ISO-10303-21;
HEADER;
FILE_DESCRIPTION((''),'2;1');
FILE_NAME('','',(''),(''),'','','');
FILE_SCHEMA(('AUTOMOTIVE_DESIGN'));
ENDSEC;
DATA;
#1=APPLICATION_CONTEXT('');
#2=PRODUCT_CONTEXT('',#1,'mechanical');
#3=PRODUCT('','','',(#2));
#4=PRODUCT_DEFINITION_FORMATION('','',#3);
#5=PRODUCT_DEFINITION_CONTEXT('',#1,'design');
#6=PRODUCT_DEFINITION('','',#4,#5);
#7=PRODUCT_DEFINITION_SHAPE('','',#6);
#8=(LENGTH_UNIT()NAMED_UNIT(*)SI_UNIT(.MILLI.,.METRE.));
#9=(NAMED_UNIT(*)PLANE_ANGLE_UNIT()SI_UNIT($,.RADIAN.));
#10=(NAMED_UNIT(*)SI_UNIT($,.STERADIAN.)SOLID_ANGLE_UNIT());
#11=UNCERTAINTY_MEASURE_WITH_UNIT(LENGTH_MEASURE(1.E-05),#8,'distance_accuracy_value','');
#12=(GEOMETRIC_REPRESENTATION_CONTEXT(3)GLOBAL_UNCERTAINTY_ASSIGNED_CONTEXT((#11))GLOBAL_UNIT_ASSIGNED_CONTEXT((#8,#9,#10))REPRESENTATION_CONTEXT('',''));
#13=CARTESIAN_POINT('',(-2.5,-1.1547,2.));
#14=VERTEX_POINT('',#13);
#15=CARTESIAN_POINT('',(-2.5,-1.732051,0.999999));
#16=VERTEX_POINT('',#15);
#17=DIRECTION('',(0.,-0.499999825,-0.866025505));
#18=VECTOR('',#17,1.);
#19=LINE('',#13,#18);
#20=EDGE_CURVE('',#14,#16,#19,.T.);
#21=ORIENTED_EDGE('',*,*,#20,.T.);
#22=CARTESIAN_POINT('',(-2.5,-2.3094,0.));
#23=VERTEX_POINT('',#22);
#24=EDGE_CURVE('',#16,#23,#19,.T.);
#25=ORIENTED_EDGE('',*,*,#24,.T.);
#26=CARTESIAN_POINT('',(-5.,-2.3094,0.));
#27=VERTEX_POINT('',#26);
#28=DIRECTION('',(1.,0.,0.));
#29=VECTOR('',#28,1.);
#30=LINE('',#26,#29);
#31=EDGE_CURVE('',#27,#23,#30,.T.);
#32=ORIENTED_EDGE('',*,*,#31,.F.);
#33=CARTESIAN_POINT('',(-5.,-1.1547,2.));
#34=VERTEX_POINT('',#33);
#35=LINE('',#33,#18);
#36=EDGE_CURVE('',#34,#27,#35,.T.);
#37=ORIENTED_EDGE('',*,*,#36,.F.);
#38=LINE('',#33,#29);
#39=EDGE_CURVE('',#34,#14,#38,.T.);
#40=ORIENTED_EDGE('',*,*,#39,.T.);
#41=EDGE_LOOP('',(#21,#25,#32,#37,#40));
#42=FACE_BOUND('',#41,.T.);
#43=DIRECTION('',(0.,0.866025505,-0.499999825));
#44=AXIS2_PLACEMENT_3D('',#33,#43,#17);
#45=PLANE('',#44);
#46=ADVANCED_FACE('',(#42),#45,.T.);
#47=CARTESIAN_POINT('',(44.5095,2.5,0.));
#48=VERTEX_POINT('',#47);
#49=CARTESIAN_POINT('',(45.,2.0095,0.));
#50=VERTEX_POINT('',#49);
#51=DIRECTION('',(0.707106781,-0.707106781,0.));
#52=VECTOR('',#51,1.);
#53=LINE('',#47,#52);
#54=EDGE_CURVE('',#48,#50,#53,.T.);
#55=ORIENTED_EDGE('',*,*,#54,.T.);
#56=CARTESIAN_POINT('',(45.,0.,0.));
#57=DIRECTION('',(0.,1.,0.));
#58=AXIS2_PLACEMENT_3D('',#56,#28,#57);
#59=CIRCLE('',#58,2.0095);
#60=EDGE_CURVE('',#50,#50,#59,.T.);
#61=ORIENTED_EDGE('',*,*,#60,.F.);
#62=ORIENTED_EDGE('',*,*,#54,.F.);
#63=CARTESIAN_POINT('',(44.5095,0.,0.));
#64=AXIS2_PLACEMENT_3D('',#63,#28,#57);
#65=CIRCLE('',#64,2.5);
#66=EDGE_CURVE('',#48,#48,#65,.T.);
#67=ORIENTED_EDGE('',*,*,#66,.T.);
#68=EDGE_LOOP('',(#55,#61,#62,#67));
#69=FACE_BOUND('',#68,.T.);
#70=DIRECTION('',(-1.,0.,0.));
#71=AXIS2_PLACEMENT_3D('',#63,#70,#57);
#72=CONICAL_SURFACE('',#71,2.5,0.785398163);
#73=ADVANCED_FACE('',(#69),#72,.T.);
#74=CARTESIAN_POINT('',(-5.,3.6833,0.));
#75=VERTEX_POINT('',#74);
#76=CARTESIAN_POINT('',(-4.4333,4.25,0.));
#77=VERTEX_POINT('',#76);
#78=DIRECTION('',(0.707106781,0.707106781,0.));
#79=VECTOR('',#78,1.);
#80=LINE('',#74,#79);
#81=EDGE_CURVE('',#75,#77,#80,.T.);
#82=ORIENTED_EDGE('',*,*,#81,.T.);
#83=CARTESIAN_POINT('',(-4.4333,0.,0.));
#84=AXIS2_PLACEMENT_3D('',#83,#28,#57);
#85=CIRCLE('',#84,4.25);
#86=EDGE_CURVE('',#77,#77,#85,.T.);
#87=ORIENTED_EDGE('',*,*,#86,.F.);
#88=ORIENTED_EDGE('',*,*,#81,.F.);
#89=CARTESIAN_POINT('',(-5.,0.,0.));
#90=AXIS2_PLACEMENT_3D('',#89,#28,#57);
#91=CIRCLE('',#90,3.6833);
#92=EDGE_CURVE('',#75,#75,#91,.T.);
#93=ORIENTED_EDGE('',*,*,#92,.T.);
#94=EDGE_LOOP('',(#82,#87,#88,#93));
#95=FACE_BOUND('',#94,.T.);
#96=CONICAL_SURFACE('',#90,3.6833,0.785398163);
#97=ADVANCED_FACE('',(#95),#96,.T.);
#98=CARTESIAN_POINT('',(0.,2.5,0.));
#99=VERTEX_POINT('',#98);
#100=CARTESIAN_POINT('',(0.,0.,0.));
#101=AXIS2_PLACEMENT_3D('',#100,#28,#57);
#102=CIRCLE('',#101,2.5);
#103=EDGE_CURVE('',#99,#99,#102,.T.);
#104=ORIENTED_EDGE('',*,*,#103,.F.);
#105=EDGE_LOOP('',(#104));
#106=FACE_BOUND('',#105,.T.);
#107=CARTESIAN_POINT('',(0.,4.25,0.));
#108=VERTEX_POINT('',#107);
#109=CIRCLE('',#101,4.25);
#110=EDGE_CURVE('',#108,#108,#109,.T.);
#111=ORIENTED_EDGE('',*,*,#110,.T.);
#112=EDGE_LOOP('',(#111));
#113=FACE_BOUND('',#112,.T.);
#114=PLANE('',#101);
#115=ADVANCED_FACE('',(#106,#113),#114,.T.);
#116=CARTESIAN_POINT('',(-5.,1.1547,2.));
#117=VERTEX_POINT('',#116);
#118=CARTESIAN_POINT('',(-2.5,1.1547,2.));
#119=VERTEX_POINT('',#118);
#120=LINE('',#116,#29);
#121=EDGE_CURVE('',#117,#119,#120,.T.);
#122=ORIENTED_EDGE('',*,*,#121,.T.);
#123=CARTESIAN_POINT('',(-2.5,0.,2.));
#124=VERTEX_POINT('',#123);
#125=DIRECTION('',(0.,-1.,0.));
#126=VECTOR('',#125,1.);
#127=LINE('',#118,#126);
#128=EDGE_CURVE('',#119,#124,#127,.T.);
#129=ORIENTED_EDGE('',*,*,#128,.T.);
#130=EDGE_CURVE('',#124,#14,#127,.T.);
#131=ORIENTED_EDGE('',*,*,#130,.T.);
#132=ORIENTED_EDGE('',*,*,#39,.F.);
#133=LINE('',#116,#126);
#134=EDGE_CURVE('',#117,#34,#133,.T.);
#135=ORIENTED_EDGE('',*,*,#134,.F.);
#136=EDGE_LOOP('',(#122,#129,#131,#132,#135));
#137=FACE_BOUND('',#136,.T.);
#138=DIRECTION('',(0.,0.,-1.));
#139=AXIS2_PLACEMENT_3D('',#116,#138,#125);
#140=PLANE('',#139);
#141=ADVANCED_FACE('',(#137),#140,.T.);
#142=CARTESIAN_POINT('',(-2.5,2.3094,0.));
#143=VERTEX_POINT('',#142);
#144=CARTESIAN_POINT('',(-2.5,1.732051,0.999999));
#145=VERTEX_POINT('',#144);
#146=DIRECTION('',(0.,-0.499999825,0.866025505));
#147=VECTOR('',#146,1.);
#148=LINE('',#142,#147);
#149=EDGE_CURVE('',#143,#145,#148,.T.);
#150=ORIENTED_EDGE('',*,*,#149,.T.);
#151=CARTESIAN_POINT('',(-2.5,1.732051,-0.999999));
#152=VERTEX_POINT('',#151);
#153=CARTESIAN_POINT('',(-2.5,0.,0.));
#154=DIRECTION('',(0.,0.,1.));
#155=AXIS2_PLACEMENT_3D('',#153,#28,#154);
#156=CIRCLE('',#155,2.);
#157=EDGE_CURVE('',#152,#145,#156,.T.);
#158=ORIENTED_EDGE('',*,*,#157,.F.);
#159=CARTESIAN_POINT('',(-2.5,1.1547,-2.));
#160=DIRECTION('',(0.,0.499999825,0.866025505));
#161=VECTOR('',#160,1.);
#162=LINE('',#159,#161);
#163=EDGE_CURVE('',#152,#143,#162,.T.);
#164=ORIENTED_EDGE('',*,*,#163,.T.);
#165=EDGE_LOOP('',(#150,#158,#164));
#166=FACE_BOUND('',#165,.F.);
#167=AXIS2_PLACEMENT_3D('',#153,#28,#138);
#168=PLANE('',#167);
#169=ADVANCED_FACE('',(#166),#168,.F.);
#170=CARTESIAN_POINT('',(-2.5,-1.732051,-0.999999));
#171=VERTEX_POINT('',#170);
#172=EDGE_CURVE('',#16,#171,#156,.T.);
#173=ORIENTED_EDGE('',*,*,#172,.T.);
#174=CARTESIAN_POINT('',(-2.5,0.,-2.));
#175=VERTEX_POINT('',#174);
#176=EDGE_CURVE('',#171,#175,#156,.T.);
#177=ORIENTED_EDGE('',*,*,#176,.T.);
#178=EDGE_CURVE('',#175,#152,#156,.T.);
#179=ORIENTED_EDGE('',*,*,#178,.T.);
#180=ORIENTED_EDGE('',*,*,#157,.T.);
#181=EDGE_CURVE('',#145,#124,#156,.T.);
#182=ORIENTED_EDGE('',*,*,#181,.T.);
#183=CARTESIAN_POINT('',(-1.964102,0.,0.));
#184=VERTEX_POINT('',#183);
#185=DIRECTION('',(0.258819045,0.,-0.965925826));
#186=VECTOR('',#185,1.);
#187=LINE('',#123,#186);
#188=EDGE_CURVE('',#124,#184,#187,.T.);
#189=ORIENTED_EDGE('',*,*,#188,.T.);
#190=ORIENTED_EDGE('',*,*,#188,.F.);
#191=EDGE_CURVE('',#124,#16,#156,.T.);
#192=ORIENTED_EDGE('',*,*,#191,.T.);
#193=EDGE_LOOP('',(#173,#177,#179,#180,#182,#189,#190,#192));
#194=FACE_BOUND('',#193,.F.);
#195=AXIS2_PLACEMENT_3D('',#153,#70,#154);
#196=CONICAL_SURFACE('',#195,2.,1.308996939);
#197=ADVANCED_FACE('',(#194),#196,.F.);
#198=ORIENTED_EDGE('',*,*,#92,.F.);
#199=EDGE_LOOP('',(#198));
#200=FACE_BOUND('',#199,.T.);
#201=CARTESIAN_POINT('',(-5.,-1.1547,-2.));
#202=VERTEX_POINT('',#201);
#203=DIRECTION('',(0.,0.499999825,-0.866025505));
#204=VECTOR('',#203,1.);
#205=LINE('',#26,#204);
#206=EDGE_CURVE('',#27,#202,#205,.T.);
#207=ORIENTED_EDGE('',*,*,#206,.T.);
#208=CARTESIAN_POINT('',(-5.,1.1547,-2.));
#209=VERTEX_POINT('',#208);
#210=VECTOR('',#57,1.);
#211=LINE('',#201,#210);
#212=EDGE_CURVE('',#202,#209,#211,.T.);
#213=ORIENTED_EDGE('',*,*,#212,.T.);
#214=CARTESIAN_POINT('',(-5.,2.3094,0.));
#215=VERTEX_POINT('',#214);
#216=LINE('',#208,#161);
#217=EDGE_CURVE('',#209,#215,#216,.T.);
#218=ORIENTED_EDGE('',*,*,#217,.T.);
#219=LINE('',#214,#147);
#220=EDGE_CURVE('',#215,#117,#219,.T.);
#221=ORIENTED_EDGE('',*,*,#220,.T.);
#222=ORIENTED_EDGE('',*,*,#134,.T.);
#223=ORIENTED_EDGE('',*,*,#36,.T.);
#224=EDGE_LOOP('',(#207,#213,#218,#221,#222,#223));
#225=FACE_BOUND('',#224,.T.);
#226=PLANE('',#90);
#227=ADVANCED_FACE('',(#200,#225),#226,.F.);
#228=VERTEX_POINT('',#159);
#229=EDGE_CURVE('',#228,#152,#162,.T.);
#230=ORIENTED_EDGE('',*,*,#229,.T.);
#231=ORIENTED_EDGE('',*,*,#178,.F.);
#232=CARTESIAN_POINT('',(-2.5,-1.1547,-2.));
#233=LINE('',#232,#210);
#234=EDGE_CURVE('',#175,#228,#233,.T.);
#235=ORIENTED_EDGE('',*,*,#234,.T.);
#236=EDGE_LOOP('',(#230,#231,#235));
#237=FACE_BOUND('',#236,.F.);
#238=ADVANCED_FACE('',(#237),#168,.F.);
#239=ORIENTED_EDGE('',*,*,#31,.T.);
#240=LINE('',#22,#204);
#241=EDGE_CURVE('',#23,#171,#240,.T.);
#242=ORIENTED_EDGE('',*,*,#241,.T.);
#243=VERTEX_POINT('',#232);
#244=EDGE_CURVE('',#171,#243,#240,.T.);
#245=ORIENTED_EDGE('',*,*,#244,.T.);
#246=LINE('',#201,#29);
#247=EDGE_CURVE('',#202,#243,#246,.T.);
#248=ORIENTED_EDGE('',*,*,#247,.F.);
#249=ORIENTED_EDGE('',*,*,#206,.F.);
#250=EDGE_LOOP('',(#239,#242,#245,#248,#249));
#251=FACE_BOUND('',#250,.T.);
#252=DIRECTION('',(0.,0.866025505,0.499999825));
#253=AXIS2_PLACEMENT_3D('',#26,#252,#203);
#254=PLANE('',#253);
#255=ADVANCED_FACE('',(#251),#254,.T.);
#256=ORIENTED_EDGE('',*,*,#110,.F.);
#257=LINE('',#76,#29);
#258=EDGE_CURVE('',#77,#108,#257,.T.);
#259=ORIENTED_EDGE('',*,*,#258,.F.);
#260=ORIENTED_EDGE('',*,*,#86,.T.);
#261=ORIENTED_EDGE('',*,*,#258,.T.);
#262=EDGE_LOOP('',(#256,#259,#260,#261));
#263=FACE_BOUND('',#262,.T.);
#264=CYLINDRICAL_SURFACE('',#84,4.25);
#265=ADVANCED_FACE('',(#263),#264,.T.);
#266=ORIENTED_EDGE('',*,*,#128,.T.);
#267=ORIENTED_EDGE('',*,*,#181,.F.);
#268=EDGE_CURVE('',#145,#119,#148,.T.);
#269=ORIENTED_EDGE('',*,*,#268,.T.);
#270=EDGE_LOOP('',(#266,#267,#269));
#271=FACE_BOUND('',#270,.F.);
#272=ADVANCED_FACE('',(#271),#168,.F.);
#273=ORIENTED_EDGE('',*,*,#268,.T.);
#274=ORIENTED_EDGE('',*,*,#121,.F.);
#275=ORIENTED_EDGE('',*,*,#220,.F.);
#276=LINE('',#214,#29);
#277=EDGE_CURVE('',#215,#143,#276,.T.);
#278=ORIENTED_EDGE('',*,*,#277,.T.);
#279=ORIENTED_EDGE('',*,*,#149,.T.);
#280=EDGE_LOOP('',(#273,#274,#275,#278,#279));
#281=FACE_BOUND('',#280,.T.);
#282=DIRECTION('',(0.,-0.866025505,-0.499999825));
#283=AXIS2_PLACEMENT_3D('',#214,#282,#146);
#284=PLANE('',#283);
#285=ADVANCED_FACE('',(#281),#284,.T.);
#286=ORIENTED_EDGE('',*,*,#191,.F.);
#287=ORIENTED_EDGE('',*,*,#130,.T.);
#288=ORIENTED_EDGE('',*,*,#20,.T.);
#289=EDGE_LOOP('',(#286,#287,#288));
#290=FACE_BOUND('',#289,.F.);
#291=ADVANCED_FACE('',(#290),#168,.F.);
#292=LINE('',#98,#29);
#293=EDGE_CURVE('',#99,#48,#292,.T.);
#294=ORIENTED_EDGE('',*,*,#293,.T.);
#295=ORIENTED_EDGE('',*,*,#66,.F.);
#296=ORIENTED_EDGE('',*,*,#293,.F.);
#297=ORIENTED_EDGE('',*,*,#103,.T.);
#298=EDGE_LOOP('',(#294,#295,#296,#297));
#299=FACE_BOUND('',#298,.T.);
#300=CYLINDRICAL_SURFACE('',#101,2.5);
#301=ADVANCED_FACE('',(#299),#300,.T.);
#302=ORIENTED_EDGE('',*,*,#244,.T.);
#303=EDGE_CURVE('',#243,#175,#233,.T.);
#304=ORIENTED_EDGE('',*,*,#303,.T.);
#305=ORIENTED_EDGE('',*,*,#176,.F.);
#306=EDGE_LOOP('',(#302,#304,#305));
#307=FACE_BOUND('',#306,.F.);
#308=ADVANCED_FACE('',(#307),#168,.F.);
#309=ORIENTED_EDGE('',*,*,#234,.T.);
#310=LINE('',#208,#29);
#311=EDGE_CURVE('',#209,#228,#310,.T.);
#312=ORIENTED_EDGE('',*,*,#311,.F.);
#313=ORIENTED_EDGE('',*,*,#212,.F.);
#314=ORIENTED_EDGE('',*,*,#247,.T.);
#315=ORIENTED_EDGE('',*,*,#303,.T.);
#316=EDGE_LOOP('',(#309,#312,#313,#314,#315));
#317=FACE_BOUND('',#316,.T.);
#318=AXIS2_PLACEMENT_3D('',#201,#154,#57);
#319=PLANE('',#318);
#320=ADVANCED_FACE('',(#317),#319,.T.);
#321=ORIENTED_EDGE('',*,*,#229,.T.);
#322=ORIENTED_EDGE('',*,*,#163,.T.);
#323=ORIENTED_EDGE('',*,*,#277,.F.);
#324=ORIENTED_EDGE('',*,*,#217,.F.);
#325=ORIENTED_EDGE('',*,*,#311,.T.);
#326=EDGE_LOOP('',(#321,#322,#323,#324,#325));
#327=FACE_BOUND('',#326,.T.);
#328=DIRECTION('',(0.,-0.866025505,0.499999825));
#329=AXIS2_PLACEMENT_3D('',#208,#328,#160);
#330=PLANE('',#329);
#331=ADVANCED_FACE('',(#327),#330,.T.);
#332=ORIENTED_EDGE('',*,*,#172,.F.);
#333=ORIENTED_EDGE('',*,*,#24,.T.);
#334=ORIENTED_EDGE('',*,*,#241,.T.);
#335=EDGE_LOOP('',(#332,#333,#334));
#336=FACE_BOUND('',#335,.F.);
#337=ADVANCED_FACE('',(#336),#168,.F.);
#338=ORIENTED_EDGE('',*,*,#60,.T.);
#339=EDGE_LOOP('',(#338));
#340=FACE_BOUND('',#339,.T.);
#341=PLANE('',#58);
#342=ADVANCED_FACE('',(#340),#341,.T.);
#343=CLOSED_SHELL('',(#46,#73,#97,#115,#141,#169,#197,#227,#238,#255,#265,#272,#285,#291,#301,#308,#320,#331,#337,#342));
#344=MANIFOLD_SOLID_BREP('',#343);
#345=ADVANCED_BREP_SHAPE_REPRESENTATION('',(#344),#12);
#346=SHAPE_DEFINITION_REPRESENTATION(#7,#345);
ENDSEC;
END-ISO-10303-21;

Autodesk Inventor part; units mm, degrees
sketch "Sketch_2" plane through (0, 0, 0) normal (0, 0, 1) x (1, 0, 0)
  line L0 (45, 0) -> (-5, 0)
  line L1 (-5, 0) -> (-5, 3.6833)
  line L2 (-5, 3.6833) -> (-4.4333, 4.25)
  line L3 (-4.4333, 4.25) -> (0, 4.25)
  line L4 (0, 4.25) -> (0, 2.5)
  line L5 (0, 2.5) -> (44.5095, 2.5)
  line L6 (44.5095, 2.5) -> (45, 2.0095)
  line L7 (45, 2.0095) -> (45, 0)
  line L8 (45, 0) -> (-5, 0)
revolve "Revolution1" add sketch "Sketch_2" angle 360 about axis through (45, 0, 0) along (1, 0, 0)
thread "Thread1" size "M5x0.8" class "6g" standard "ISO Metric profile" length 21.5095
sketch "Sketch2" plane through (-5, 0, 0) normal (-1, 0, 0) x (0, 0, 1)
  point P0 (0, 0)
hole "Hole1" at (-5, 0, 0) direction (1, 0, 0) diameter 4 depth 2.5 tip angle 150
sketch "Sketch_3" plane through (-5, 0, 0) normal (1, 0, 0) x (0, 0, -1)
  line L0 (-2, -1.1547) -> (0, -2.3094)
  line L1 (0, -2.3094) -> (2, -1.1547)
  line L2 (2, -1.1547) -> (2, 1.1547)
  line L3 (2, 1.1547) -> (0, 2.3094)
  line L4 (0, 2.3094) -> (-2, 1.1547)
  line L5 (-2, 1.1547) -> (-2, -1.1547)
extrude "Extrusion1" cut sketch "Sketch_3" along normal blind 2.5
ref_plane "bolt_XY" through (0, 0, 0) normal (1, 0, 0) x (0, 0, -1)
ref_plane "bolt_YZ" through (0, 0, 0) normal (0, 0, -1) x (0, 1, 0)
ref_plane "bolt_ZX" through (0, 0, 0) normal (0, 1, 0) x (1, 0, 0)
ref_plane "nut_XY" through (45, 0, 0) normal (1, 0, 0) x (0, 0, -1)
ref_plane "nut_YZ" through (45, 0, 0) normal (0, 0, -1) x (0, 1, 0)
ref_plane "nut_ZX" through (45, 0, 0) normal (0, 1, 0) x (1, 0, 0)
properties part number "SCB5-45"
